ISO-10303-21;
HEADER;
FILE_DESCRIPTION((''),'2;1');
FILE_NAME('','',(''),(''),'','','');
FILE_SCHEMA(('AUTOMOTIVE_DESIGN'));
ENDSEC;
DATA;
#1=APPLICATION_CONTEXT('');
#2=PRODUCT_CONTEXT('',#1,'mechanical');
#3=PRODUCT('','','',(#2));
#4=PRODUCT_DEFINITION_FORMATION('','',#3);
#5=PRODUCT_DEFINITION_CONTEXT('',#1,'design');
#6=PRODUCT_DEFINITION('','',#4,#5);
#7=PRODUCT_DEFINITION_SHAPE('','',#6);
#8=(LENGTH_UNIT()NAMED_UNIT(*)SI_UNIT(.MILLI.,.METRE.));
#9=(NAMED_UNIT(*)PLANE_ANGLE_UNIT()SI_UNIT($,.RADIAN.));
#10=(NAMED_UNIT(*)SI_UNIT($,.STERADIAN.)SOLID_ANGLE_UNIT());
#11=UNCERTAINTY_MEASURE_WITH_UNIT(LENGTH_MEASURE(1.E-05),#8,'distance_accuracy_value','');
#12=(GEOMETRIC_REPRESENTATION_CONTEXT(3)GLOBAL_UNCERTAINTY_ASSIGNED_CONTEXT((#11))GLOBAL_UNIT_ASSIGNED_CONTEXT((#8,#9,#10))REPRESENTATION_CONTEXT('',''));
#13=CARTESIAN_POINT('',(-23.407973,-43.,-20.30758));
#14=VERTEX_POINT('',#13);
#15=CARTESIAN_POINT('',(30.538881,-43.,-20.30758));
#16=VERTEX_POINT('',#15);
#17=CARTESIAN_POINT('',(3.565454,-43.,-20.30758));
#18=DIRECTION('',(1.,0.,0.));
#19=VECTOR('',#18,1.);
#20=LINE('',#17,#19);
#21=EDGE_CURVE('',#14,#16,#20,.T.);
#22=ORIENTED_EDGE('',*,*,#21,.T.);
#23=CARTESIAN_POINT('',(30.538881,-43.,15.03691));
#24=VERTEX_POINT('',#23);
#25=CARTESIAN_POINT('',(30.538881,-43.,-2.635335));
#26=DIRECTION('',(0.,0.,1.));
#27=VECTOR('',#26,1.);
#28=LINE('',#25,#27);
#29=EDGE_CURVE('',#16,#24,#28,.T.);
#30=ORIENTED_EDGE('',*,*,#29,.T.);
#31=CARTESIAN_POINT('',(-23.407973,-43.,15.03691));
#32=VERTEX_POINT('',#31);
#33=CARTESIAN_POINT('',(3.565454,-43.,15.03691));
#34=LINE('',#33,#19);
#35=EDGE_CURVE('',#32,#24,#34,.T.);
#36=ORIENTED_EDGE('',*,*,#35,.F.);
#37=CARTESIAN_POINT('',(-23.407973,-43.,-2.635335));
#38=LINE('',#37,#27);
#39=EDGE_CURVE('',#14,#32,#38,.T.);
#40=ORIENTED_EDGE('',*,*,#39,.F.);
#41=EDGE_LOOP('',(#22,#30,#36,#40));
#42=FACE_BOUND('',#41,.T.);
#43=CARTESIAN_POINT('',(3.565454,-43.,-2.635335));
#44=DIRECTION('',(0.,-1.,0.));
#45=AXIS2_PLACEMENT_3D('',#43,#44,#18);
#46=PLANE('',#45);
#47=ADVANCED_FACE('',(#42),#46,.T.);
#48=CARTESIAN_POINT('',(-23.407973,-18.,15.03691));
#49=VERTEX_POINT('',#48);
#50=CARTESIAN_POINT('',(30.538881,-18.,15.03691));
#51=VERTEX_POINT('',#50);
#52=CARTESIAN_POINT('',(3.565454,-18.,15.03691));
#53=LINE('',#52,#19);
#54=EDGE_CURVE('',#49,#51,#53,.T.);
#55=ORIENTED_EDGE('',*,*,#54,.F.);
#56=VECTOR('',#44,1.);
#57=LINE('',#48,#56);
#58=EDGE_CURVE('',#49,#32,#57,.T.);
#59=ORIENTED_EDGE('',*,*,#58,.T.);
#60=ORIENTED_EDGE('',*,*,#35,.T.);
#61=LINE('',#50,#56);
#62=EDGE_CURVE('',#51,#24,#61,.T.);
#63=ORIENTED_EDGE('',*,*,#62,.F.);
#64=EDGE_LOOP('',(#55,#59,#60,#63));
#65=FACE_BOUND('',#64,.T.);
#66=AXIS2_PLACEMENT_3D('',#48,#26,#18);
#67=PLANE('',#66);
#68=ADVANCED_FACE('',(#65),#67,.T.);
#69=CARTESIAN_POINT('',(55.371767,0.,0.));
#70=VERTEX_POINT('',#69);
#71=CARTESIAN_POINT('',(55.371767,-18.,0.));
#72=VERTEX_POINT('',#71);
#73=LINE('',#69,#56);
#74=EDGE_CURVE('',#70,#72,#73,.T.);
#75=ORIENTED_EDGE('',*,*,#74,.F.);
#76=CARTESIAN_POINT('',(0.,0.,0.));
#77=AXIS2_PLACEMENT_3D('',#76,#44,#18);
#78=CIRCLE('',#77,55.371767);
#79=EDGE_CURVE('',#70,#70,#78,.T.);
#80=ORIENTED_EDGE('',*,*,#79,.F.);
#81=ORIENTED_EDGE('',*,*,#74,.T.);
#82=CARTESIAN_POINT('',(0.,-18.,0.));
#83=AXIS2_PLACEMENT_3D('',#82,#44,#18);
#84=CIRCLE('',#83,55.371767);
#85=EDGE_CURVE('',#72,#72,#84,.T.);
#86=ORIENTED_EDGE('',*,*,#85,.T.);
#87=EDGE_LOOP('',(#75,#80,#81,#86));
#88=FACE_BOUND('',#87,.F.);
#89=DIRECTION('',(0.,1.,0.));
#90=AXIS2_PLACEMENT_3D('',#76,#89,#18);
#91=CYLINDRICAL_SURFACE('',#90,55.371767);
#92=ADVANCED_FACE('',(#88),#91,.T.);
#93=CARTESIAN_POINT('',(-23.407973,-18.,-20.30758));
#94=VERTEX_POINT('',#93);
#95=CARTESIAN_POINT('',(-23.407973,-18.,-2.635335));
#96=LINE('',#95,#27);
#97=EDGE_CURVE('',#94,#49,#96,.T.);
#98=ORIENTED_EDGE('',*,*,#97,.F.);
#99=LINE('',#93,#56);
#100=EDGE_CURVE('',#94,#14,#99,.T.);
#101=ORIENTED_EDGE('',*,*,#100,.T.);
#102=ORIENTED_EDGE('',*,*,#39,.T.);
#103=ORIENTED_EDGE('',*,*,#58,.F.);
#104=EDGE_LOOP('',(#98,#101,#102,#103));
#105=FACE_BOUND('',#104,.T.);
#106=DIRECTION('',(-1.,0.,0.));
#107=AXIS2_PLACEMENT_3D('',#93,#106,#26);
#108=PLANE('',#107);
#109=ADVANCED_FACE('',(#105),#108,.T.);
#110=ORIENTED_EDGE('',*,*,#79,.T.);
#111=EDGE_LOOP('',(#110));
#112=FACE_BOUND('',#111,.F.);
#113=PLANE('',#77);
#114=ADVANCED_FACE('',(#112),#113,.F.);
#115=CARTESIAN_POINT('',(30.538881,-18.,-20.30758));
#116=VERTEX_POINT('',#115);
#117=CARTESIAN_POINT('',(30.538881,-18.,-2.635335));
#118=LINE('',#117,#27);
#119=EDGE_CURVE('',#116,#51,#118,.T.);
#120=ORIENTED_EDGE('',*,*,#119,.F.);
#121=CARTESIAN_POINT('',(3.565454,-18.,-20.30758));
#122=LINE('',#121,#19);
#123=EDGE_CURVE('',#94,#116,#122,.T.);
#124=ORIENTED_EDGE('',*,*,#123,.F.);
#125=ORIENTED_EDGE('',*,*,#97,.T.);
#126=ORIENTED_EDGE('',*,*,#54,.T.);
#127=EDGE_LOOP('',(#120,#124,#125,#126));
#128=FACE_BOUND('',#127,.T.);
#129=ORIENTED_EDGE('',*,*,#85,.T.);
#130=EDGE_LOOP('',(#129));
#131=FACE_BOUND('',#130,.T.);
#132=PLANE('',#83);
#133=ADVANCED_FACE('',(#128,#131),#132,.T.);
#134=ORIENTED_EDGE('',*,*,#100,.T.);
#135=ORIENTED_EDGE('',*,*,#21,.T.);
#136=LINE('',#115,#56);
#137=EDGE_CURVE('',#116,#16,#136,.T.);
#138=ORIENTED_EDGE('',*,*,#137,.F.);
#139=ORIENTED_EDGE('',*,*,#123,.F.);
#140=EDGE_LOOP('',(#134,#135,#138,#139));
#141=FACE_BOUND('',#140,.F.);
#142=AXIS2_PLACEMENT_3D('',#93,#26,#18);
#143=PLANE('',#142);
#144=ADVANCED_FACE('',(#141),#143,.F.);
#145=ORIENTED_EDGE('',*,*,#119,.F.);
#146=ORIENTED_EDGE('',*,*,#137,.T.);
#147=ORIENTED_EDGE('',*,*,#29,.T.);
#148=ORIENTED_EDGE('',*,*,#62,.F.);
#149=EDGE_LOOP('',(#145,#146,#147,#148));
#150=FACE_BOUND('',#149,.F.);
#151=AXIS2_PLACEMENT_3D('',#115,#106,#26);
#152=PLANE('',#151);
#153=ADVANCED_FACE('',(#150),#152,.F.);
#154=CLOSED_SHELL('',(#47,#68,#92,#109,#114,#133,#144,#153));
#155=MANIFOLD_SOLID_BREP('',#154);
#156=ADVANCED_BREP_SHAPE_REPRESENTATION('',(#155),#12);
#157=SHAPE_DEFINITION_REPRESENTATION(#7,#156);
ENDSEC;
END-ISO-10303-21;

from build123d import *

# Parameters (mm, degrees)
F0_R     = 55.371767
F1_DEPTH = 18
F2_W     = 53.946854
F2_H     = 35.34449
F3_DEPTH = 25


with BuildPart() as f1:
    # F0 (on Front) → F1 (new body)
    with BuildSketch(Plane.XZ):
        Circle(F0_R)
    extrude(amount=F1_DEPTH)

    # F2 (on face) → F3 (join)
    with BuildSketch(Plane.XZ.offset(18)):
        with Locations((3.565454, -2.635335)):
            Rectangle(F2_W, F2_H)
    extrude(amount=F3_DEPTH)


solid = f1.part
